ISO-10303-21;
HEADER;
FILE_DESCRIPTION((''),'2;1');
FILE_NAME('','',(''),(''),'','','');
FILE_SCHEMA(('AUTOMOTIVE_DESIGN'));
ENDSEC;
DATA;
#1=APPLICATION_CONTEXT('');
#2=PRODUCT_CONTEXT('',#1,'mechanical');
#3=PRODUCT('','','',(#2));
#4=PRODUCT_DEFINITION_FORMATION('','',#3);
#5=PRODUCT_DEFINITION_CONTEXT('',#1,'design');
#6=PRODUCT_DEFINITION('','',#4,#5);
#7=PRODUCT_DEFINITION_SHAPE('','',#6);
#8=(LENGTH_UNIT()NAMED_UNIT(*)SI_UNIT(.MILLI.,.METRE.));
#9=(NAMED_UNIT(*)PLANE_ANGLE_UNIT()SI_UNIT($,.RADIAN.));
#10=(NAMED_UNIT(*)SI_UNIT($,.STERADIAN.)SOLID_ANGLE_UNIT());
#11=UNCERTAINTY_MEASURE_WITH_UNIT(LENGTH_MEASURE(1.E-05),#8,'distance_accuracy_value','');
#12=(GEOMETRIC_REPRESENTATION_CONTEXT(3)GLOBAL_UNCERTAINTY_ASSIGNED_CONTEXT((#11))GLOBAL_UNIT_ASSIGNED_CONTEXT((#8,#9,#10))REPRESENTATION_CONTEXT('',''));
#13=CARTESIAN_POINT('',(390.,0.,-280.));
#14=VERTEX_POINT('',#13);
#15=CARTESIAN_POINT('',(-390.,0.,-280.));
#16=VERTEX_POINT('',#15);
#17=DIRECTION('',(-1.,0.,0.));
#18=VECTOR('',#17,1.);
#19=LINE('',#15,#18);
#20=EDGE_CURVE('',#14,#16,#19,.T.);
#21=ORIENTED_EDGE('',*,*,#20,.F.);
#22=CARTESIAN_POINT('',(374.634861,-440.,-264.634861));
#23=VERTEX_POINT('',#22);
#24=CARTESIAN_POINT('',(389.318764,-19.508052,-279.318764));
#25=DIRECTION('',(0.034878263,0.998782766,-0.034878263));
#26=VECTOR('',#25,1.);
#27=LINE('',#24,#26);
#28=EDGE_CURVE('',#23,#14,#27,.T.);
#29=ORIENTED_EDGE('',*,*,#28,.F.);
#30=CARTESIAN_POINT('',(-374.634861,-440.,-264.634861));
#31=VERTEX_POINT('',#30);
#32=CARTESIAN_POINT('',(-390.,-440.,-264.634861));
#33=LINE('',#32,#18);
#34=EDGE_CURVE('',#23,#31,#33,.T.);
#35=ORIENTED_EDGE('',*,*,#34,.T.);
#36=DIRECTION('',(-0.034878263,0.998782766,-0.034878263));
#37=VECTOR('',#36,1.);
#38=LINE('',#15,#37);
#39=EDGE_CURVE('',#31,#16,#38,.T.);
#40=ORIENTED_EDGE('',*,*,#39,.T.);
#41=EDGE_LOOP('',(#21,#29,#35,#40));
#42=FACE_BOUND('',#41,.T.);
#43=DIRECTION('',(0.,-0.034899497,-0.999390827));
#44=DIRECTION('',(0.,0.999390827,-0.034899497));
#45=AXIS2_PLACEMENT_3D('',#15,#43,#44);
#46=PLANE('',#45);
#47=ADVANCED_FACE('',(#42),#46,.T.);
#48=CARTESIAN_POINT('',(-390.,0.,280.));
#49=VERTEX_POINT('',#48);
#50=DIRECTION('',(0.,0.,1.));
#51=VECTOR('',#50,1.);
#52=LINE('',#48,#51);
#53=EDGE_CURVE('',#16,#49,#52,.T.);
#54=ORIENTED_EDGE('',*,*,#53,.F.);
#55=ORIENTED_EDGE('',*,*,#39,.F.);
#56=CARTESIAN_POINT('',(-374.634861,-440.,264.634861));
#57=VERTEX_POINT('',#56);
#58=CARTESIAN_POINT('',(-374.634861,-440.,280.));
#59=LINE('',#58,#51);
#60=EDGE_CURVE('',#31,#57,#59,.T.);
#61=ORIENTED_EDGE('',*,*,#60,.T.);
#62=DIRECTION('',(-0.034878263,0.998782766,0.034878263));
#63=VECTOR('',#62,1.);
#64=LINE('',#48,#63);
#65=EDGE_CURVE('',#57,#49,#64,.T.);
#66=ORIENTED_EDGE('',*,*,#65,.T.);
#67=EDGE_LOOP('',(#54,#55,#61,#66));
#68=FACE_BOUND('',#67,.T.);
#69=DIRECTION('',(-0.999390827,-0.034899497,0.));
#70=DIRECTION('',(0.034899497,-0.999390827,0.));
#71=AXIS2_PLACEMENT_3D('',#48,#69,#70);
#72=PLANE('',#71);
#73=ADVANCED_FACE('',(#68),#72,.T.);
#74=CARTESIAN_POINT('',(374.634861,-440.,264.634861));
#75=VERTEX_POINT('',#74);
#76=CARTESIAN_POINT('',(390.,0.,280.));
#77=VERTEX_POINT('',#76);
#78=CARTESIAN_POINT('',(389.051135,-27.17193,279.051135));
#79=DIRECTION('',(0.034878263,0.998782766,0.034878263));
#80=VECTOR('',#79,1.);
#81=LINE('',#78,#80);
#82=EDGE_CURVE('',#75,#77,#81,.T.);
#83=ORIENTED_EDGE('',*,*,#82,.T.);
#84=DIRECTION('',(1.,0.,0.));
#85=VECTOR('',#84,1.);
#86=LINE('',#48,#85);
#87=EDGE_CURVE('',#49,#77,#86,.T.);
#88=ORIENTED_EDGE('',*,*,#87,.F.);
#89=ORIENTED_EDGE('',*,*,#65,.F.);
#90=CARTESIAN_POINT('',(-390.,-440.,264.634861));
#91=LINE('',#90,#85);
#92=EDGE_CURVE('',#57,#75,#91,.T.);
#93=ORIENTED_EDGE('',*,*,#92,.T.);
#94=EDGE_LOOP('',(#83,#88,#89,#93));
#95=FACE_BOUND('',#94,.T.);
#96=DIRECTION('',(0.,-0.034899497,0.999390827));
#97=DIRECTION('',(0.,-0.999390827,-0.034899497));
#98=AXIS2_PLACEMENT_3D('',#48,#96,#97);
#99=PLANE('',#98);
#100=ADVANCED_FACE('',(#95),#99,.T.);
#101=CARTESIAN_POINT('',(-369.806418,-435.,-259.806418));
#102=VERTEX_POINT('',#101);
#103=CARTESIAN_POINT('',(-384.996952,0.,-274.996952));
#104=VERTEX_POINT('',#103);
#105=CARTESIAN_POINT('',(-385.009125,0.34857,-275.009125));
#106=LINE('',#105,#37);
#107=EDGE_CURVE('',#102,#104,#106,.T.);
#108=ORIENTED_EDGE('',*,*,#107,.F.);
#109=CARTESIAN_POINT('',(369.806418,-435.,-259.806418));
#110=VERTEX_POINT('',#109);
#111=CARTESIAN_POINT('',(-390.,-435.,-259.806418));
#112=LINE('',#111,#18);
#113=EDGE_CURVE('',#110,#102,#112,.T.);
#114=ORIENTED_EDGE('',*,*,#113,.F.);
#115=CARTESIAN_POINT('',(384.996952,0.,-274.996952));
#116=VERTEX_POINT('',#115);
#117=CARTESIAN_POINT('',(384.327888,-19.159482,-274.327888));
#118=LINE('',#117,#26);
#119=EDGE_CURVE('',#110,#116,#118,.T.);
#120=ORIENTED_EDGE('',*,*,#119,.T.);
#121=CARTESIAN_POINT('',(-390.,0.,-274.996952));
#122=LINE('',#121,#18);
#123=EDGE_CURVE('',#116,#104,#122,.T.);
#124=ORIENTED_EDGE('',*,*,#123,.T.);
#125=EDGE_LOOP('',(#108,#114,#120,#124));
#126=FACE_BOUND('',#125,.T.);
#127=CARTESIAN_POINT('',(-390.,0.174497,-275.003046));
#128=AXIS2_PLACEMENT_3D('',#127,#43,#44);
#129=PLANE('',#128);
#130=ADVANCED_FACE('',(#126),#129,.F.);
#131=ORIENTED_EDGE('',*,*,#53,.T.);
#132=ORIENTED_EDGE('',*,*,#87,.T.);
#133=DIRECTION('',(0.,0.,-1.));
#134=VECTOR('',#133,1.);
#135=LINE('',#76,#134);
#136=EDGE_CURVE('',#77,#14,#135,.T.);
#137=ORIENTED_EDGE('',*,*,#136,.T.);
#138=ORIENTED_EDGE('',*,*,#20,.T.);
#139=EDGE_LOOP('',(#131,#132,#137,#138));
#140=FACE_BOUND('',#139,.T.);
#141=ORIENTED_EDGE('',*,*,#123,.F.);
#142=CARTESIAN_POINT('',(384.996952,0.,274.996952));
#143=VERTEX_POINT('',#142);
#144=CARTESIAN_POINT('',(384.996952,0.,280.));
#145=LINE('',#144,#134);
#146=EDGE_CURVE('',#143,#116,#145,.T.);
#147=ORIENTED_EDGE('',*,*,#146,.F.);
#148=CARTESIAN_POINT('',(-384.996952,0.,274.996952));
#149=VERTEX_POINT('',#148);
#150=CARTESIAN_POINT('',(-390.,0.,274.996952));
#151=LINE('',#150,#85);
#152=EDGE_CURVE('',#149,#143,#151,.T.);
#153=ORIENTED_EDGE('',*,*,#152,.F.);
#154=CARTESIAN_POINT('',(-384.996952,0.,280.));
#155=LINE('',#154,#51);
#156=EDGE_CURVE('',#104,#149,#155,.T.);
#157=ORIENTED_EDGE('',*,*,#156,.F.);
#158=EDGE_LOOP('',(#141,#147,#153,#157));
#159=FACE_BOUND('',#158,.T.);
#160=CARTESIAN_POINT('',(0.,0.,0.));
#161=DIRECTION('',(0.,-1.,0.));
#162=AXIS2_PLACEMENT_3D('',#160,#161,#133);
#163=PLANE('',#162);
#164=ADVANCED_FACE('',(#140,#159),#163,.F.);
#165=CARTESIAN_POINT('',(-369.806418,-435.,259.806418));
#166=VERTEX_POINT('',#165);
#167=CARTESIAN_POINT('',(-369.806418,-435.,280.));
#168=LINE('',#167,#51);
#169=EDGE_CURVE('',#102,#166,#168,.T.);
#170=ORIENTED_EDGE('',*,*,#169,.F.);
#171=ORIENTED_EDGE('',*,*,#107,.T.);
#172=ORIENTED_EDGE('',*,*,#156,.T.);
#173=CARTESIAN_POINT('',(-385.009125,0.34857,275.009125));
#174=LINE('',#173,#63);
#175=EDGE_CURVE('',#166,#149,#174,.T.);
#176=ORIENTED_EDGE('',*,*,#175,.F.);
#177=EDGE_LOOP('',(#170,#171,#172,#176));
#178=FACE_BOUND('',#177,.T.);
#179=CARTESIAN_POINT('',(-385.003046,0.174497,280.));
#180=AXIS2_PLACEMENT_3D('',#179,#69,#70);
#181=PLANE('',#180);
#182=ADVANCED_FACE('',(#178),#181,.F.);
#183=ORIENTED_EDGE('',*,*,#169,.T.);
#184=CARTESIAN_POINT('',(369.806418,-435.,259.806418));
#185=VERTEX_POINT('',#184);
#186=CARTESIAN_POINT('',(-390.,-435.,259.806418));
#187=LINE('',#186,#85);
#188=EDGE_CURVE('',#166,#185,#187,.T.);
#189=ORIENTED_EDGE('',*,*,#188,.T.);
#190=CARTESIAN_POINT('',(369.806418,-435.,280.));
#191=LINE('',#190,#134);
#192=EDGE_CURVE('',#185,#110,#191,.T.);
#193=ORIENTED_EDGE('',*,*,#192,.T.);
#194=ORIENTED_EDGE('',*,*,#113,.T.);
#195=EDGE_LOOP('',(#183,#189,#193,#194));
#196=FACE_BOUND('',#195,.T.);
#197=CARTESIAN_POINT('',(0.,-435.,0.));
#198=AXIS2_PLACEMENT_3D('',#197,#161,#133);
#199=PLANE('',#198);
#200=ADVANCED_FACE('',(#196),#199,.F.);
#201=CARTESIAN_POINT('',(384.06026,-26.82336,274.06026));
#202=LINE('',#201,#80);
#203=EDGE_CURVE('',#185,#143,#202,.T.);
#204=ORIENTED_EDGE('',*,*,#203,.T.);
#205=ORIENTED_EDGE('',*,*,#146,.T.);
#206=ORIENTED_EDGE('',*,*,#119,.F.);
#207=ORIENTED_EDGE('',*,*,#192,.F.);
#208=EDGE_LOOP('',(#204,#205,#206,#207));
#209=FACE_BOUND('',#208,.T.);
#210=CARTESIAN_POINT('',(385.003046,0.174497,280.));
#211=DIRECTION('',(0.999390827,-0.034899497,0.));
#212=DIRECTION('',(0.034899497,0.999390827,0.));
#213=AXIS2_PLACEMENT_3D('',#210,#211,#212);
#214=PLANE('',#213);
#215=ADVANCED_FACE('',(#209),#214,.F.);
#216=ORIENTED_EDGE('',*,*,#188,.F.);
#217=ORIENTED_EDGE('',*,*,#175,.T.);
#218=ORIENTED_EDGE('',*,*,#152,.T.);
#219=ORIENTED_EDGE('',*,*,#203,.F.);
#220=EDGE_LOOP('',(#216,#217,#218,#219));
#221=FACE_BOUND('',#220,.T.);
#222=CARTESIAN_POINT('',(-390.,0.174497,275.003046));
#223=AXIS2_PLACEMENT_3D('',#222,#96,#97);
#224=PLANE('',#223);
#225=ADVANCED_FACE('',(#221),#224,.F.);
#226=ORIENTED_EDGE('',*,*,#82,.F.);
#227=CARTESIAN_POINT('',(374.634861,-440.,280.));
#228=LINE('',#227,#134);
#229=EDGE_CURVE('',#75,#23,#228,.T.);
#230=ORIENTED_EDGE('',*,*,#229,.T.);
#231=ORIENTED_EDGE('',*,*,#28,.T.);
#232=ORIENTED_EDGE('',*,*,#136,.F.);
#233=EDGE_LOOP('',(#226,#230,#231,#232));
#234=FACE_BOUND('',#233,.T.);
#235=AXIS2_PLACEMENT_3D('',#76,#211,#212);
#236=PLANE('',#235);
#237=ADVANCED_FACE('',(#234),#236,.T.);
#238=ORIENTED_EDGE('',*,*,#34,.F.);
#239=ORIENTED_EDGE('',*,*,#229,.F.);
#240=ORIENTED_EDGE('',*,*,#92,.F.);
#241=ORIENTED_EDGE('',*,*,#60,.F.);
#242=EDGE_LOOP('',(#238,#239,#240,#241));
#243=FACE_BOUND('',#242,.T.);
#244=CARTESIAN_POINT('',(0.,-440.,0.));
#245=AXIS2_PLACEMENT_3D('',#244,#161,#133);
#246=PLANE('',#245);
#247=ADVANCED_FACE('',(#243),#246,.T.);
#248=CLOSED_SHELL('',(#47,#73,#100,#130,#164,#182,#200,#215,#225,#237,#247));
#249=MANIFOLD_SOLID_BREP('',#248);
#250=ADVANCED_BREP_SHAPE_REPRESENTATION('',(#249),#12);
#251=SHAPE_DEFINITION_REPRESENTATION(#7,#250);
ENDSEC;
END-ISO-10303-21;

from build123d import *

# Parameters (mm, degrees)
SKETCH1_W      = 780
SKETCH1_H      = 560
EXTRUDE1_DEPTH = 440
EXTRUDE1_TAPER = 2
SHELL1_T       = -5


with BuildPart() as part:
    # Sketch1 → Extrude1 (new body)
    with BuildSketch(Plane(origin=(0, 0, 0), x_dir=(1, 0, 0), z_dir=(0, 1, 0))):
        Rectangle(SKETCH1_W, SKETCH1_H)
    extrude(amount=-EXTRUDE1_DEPTH, taper=EXTRUDE1_TAPER)

    # Shell1
    shell1_openings = [part.faces().sort_by_distance(p)[0] for p in [
        (0, 0, 0),
    ]]
    offset(amount=SHELL1_T, openings=shell1_openings, kind=Kind.INTERSECTION)


solid = part.part
